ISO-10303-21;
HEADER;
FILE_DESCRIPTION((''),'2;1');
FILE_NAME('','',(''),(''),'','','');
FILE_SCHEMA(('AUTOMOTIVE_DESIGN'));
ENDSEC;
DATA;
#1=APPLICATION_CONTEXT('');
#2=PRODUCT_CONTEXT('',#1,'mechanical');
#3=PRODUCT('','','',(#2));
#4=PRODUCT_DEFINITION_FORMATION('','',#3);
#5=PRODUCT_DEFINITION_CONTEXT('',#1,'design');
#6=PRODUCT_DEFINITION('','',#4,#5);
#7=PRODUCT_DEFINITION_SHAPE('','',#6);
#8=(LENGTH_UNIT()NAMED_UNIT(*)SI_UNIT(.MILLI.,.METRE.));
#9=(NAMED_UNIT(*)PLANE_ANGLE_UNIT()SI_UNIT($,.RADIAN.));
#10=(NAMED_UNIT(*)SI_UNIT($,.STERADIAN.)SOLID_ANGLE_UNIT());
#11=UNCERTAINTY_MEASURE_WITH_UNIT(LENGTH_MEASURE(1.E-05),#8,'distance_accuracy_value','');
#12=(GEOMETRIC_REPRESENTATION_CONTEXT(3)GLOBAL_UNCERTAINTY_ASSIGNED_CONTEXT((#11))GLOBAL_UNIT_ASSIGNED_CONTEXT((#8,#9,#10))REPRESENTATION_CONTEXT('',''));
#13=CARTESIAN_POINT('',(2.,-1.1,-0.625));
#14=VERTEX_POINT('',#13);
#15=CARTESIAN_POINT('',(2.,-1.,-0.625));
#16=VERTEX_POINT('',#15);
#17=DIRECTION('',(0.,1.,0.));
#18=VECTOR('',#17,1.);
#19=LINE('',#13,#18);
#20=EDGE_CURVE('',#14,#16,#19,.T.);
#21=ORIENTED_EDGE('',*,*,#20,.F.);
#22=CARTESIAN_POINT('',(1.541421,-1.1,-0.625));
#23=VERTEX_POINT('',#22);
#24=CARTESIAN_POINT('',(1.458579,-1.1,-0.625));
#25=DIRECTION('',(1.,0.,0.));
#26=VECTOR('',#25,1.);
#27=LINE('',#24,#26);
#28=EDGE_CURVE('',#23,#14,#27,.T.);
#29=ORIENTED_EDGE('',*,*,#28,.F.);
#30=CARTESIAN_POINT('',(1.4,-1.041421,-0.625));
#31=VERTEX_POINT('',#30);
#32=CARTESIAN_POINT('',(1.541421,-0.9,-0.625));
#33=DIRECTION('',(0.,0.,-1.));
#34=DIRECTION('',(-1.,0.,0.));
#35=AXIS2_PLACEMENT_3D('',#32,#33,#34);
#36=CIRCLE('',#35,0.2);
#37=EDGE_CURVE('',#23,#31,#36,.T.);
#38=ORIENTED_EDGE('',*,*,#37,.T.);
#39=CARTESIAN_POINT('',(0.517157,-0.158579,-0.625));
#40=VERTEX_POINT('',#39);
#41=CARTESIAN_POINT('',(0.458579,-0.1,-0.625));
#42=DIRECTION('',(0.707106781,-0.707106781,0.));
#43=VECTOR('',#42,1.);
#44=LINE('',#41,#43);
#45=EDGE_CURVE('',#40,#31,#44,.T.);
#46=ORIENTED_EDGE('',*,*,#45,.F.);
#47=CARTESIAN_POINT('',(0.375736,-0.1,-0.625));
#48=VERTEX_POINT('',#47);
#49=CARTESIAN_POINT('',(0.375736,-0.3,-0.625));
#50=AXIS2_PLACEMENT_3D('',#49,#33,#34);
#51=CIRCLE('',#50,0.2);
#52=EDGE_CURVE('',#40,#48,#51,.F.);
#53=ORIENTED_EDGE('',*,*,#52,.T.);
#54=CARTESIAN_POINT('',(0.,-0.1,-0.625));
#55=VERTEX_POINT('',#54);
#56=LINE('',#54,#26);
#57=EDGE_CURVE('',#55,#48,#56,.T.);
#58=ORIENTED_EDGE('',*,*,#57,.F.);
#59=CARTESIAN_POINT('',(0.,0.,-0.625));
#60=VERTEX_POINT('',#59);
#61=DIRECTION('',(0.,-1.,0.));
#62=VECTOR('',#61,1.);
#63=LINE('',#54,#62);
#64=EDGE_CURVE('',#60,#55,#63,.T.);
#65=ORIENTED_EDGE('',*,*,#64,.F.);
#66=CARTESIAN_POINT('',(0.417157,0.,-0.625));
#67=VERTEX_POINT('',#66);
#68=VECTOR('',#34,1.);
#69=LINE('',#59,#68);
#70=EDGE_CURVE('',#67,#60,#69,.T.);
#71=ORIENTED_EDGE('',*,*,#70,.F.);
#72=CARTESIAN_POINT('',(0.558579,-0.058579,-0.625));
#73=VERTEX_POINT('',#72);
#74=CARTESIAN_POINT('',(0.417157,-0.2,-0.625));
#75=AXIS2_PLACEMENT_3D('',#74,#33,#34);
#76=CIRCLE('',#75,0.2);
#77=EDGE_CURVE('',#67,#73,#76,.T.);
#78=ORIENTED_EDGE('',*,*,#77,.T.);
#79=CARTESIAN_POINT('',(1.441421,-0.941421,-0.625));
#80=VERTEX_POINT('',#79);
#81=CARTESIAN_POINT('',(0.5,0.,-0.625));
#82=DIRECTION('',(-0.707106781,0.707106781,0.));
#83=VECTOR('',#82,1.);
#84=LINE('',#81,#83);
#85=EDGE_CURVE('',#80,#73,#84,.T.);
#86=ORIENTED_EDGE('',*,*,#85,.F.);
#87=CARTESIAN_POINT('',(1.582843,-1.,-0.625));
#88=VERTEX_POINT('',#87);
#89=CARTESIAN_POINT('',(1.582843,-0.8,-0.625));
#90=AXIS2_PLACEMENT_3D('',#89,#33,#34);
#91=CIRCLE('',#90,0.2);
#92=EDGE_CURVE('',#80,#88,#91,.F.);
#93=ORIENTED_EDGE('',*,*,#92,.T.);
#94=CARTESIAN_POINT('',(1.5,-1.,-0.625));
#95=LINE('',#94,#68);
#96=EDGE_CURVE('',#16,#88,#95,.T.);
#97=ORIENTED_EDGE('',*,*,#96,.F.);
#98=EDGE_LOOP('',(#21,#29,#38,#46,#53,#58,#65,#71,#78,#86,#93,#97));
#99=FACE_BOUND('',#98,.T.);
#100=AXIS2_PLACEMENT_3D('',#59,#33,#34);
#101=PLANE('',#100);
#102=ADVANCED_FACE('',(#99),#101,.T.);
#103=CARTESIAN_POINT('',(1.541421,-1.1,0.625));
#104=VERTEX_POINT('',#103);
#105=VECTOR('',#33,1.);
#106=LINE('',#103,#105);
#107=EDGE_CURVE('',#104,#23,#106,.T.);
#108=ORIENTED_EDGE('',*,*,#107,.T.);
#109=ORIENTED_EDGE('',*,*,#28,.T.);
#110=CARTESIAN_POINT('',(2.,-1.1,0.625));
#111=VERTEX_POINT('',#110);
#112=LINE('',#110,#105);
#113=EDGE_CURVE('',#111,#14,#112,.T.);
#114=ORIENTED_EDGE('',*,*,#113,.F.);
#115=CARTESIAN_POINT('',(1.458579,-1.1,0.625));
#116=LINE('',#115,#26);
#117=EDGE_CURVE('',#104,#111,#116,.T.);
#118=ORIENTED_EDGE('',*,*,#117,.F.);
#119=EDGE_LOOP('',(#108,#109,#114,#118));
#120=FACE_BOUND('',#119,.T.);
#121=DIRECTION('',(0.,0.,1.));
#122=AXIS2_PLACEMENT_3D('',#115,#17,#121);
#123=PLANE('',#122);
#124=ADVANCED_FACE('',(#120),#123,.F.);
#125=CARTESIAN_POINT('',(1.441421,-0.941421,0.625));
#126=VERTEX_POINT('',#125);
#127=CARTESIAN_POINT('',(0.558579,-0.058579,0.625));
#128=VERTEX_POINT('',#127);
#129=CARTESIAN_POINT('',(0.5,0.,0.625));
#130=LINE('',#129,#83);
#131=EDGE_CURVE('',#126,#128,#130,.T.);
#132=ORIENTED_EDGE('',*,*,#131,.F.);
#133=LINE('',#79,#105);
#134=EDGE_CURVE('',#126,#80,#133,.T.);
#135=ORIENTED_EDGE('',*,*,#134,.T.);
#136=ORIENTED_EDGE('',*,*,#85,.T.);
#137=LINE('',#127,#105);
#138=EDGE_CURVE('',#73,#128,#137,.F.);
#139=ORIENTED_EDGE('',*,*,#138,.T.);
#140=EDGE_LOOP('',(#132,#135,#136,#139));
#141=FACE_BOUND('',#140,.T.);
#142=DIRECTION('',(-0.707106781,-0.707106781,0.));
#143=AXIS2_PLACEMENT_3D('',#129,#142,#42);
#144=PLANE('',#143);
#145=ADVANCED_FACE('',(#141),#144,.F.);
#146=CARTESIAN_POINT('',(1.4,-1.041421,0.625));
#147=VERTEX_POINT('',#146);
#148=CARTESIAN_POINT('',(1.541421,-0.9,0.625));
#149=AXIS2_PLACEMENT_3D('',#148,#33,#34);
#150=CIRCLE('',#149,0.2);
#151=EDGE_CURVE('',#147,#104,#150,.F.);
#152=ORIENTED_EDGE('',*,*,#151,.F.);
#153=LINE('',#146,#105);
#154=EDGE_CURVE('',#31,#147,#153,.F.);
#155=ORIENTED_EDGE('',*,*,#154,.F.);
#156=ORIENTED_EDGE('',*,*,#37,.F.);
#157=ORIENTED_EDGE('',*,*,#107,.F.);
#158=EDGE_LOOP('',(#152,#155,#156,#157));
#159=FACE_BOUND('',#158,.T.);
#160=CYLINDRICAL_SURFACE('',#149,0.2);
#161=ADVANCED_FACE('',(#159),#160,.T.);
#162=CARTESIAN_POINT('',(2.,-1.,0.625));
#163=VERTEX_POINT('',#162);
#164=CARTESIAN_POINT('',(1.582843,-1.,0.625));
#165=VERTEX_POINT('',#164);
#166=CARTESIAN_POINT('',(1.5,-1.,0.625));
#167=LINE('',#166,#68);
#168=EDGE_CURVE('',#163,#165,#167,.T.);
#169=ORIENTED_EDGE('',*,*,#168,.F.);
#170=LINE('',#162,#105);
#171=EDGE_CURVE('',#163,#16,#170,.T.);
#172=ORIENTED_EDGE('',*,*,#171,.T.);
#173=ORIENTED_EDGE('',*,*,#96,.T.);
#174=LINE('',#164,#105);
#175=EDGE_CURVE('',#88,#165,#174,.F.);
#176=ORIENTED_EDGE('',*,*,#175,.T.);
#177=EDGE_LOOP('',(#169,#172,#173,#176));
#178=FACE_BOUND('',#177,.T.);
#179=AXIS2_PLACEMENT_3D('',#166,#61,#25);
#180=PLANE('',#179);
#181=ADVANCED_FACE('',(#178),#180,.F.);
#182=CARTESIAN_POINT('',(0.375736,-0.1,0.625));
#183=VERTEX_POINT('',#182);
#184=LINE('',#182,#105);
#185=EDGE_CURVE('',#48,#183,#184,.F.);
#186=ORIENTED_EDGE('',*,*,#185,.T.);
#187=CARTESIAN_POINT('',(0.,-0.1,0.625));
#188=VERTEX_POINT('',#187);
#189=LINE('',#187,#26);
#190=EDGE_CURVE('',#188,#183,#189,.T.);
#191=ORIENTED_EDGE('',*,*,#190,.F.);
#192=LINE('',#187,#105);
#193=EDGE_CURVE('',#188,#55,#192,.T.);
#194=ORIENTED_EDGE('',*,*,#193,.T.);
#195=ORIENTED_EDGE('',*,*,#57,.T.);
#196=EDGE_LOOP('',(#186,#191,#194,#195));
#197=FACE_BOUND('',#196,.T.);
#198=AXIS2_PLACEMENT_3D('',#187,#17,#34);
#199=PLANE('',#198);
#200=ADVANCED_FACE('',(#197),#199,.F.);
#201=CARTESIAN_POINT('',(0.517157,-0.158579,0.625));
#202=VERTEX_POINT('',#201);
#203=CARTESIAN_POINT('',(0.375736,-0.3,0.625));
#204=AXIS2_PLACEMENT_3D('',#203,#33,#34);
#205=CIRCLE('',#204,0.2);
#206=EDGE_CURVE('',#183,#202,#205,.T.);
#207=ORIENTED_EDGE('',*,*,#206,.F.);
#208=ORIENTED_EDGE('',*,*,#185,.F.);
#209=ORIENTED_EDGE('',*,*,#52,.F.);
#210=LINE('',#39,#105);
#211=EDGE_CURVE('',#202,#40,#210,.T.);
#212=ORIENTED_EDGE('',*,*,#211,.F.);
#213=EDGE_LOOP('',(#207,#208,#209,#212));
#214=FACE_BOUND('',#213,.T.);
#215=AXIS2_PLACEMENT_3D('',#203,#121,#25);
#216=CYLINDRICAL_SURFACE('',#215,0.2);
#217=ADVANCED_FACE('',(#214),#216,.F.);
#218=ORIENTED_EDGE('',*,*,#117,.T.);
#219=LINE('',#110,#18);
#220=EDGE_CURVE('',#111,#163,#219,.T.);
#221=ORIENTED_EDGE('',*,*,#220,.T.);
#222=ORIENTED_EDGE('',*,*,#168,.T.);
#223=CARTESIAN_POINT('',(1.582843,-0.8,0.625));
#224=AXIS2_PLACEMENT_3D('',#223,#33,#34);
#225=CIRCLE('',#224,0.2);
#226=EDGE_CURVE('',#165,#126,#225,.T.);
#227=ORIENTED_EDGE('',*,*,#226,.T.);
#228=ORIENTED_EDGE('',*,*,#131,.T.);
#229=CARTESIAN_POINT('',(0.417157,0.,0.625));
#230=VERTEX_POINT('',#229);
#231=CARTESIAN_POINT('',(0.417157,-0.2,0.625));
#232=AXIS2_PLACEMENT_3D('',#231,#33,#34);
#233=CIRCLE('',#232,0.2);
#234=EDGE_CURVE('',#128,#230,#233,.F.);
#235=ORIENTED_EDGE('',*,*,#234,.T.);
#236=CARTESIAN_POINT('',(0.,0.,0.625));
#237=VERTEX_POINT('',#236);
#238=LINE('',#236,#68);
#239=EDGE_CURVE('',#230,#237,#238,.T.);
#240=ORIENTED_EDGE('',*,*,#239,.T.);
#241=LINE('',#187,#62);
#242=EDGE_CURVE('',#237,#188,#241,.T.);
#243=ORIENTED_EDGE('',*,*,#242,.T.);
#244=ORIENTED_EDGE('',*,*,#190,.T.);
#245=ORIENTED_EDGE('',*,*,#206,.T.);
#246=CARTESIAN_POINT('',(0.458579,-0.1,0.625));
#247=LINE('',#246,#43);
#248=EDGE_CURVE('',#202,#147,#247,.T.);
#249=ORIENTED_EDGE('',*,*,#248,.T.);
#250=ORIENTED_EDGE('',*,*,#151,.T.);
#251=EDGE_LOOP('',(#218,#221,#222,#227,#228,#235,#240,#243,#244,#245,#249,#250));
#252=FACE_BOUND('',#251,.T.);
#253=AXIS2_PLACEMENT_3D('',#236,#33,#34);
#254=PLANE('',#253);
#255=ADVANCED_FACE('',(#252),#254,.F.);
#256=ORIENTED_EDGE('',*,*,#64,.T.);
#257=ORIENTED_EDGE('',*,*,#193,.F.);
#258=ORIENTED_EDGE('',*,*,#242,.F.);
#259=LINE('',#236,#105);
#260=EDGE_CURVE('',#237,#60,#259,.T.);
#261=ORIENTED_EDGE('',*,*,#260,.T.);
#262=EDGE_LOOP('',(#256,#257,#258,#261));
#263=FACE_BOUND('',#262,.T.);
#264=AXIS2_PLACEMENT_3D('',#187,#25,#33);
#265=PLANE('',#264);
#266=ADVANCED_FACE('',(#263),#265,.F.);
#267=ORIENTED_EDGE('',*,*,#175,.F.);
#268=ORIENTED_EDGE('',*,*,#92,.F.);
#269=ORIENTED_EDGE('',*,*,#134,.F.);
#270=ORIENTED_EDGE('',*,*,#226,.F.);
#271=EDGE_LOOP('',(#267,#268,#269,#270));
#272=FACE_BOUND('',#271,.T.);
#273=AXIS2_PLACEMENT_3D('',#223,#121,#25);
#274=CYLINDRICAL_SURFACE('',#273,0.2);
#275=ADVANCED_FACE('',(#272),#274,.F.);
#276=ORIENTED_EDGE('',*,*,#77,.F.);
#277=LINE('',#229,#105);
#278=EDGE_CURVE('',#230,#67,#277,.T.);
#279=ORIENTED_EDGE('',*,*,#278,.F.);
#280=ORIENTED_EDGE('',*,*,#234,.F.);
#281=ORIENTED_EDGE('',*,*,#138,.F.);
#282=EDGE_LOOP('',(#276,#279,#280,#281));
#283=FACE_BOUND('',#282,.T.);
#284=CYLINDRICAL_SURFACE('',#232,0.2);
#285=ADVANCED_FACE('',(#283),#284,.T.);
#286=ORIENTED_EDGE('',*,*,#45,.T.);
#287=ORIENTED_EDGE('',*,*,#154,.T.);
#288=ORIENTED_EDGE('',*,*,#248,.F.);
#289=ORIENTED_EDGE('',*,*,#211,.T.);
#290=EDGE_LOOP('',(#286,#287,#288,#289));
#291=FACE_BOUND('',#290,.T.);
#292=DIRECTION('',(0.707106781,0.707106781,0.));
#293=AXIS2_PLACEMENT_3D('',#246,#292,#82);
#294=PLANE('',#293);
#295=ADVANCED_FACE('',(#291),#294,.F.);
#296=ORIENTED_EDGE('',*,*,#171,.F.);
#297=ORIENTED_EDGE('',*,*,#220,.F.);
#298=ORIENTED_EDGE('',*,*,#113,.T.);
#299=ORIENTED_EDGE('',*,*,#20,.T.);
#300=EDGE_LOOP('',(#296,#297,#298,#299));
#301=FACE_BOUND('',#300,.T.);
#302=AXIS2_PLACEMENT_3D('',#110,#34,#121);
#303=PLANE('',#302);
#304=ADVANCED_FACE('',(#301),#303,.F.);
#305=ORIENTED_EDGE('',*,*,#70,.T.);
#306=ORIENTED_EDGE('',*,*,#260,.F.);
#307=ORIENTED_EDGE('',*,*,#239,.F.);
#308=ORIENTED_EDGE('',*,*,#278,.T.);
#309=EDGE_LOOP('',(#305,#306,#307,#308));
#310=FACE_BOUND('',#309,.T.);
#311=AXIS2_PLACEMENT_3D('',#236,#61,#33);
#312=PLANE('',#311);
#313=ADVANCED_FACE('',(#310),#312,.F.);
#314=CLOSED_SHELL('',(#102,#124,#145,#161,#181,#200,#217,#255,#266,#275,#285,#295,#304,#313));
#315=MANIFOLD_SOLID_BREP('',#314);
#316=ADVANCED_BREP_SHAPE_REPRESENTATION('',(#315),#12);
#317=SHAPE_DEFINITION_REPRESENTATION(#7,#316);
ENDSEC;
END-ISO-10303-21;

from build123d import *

# Parameters (mm, degrees)
BOSS_EXTRUDE1_DEPTH = 0.625
FILLET4_R           = 0.2


with BuildPart() as part:
    # Sketch4 → Boss-Extrude1 (new body, symmetric)
    with BuildSketch(Plane.XY):
        Polygon((0, 0), (0.5, 0), (1.5, -1), (2, -1), (2, -1.1), (1.458578644, -1.1), (0.458578644, -0.1), (0, -0.1), align=None)
    extrude(amount=BOSS_EXTRUDE1_DEPTH, both=True)

    # Fillet4
    fillet4_edges = [part.edges().sort_by_distance(p)[0] for p in [
        (0.5, 0, 0),
        (1.5, -1, 0),
        (1.458578644, -1.1, 0),
        (0.458578644, -0.1, 0),
    ]]
    fillet(fillet4_edges, radius=FILLET4_R)


solid = part.part
